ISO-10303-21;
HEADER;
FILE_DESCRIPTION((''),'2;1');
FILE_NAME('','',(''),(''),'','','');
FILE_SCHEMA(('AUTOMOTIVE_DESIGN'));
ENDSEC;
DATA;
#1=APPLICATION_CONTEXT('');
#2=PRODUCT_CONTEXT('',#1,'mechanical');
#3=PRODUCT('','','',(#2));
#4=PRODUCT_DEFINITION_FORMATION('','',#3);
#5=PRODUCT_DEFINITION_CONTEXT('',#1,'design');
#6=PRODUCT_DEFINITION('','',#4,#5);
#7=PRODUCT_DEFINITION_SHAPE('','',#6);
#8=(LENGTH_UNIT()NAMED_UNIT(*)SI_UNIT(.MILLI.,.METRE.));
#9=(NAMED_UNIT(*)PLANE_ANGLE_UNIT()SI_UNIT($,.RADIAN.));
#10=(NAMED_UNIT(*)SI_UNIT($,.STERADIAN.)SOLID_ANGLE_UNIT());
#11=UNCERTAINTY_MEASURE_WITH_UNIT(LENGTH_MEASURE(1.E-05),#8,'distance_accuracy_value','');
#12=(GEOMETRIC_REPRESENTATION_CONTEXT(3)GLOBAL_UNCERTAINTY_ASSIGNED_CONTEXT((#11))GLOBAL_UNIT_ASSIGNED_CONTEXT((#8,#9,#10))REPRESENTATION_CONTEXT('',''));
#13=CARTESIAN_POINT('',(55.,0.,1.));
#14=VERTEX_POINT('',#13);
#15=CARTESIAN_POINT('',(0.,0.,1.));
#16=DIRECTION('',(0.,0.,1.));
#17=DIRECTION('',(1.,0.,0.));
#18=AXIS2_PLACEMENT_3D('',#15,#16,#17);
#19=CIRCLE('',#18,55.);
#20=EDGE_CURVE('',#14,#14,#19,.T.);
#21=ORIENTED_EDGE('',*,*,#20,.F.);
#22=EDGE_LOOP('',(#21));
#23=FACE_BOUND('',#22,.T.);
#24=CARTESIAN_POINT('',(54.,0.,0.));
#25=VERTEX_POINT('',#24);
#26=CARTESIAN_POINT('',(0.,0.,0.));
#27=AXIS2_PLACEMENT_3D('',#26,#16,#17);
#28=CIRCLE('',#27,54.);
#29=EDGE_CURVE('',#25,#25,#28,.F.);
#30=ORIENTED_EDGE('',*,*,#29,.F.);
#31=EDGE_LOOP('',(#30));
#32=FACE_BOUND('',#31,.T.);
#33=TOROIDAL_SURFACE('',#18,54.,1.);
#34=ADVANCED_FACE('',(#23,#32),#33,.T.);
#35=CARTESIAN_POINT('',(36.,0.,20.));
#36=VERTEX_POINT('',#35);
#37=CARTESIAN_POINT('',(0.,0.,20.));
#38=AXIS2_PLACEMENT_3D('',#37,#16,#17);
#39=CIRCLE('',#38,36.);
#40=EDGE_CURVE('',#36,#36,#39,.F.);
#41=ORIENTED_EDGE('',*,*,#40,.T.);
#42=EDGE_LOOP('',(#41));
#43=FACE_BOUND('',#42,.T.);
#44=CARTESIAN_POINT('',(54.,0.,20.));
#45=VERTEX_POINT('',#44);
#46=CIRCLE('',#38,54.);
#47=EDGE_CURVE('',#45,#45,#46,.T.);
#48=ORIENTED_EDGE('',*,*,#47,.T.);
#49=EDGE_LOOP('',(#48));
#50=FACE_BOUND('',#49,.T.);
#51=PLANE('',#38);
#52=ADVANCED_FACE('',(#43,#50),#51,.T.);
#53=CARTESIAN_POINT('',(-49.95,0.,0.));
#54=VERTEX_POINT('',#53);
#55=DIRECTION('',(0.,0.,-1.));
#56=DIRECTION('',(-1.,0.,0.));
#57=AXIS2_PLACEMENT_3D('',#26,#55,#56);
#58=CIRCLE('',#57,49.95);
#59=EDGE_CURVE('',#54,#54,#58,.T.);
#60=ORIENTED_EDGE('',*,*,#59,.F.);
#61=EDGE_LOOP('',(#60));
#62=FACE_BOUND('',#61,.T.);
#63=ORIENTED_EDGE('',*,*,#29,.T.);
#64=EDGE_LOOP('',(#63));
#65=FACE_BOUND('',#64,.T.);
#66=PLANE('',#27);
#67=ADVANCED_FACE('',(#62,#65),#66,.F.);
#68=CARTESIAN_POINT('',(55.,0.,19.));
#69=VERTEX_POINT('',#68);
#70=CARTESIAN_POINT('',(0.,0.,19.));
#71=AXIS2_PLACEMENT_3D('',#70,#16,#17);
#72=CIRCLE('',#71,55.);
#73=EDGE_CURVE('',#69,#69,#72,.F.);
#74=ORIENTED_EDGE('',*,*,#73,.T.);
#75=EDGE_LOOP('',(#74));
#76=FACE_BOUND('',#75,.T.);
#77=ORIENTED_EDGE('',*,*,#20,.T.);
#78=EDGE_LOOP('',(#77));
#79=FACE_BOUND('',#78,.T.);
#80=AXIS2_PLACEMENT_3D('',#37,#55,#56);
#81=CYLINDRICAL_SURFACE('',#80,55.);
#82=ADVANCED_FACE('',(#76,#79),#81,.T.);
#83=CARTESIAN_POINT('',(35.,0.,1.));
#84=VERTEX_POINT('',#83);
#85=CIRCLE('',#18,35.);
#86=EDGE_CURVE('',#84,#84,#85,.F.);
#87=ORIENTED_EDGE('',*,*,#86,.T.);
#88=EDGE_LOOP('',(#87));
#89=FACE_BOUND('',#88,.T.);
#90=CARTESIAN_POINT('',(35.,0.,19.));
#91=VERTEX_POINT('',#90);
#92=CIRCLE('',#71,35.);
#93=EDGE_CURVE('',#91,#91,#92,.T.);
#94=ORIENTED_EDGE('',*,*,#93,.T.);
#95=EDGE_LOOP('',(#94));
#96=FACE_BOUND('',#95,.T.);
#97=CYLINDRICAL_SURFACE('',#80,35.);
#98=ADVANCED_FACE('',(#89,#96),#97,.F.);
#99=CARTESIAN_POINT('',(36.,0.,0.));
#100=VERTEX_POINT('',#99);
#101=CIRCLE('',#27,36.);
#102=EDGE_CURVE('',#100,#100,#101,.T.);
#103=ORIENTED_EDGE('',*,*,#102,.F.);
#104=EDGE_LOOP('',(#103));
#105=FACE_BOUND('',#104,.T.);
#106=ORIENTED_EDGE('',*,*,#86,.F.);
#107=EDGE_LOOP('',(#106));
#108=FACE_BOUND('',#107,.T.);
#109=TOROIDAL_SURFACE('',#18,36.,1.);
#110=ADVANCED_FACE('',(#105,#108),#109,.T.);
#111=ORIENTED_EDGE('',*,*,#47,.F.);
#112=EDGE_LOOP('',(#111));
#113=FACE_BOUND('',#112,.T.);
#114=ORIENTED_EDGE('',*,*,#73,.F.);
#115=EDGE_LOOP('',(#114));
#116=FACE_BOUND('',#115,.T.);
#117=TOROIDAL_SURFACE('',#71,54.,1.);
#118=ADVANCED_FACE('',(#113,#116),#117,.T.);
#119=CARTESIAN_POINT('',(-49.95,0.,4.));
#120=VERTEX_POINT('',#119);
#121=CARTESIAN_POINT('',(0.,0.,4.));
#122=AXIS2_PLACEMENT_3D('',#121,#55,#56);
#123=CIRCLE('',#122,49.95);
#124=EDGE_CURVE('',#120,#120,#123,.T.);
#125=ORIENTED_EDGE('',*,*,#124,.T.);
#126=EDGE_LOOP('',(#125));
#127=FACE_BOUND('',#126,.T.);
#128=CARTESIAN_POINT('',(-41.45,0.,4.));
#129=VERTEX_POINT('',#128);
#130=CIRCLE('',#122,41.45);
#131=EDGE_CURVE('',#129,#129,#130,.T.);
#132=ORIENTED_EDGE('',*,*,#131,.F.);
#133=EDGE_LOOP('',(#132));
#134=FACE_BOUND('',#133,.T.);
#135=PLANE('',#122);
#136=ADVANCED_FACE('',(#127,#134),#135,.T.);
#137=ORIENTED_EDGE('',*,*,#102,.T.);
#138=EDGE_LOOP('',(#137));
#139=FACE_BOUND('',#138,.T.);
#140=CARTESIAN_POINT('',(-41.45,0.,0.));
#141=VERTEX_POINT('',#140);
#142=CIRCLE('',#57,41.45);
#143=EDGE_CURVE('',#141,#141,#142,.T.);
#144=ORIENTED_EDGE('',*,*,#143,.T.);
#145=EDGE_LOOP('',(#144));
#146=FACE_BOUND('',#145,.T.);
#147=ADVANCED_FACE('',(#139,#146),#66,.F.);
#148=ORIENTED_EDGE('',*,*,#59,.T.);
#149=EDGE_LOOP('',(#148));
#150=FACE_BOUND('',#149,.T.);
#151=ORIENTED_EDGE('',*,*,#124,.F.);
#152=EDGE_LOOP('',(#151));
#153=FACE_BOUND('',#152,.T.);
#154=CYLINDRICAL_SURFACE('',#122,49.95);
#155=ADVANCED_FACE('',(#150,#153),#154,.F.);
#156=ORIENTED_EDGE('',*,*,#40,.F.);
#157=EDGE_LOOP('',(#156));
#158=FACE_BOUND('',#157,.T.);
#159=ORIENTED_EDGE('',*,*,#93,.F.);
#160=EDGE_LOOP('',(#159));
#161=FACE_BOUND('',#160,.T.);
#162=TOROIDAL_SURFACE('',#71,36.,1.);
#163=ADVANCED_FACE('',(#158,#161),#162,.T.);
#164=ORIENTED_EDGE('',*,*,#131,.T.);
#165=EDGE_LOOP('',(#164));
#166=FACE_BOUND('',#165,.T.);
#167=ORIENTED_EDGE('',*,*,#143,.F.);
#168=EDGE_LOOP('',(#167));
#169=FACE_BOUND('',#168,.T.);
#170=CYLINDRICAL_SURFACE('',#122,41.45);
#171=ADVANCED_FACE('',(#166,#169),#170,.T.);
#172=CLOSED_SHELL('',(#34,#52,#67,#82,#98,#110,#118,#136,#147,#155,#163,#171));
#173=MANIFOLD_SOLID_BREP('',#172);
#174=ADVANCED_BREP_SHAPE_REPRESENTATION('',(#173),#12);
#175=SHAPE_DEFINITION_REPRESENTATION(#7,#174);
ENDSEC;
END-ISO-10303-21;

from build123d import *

# Parameters (mm, degrees)
ESQUISSE1_R             = 55
ESQUISSE1_R_2           = 35
BOSS_EXTRU_1_DEPTH      = 20
CONG_6_R                = 1
ESQUISSE3_R             = 49.95
ESQUISSE3_R_2           = 41.45
ENL_V_MAT_EXTRU_1_DEPTH = 4


with BuildPart() as part:
    # Esquisse1 → Boss.-Extru.1 (new body)
    with BuildSketch(Plane.XY):
        Circle(ESQUISSE1_R)
        Circle(ESQUISSE1_R_2, mode=Mode.SUBTRACT)
    extrude(amount=BOSS_EXTRU_1_DEPTH)

    # Congé6
    cong_6_edges = [part.edges().sort_by_distance(p)[0] for p in [
        (-55, 0, 0),
        (-55, 0, 20),
        (-35, 0, 0),
        (-35, 0, 20),
    ]]
    fillet(cong_6_edges, radius=CONG_6_R)

    # Esquisse3 → Enlèv. mat.-Extru.1 (cut)
    with BuildSketch(Plane(origin=(0, 0, 0), x_dir=(-1, 0, 0), z_dir=(0, 0, -1))):
        Circle(ESQUISSE3_R)
        Circle(ESQUISSE3_R_2, mode=Mode.SUBTRACT)
    extrude(amount=-ENL_V_MAT_EXTRU_1_DEPTH, mode=Mode.SUBTRACT)


solid = part.part
